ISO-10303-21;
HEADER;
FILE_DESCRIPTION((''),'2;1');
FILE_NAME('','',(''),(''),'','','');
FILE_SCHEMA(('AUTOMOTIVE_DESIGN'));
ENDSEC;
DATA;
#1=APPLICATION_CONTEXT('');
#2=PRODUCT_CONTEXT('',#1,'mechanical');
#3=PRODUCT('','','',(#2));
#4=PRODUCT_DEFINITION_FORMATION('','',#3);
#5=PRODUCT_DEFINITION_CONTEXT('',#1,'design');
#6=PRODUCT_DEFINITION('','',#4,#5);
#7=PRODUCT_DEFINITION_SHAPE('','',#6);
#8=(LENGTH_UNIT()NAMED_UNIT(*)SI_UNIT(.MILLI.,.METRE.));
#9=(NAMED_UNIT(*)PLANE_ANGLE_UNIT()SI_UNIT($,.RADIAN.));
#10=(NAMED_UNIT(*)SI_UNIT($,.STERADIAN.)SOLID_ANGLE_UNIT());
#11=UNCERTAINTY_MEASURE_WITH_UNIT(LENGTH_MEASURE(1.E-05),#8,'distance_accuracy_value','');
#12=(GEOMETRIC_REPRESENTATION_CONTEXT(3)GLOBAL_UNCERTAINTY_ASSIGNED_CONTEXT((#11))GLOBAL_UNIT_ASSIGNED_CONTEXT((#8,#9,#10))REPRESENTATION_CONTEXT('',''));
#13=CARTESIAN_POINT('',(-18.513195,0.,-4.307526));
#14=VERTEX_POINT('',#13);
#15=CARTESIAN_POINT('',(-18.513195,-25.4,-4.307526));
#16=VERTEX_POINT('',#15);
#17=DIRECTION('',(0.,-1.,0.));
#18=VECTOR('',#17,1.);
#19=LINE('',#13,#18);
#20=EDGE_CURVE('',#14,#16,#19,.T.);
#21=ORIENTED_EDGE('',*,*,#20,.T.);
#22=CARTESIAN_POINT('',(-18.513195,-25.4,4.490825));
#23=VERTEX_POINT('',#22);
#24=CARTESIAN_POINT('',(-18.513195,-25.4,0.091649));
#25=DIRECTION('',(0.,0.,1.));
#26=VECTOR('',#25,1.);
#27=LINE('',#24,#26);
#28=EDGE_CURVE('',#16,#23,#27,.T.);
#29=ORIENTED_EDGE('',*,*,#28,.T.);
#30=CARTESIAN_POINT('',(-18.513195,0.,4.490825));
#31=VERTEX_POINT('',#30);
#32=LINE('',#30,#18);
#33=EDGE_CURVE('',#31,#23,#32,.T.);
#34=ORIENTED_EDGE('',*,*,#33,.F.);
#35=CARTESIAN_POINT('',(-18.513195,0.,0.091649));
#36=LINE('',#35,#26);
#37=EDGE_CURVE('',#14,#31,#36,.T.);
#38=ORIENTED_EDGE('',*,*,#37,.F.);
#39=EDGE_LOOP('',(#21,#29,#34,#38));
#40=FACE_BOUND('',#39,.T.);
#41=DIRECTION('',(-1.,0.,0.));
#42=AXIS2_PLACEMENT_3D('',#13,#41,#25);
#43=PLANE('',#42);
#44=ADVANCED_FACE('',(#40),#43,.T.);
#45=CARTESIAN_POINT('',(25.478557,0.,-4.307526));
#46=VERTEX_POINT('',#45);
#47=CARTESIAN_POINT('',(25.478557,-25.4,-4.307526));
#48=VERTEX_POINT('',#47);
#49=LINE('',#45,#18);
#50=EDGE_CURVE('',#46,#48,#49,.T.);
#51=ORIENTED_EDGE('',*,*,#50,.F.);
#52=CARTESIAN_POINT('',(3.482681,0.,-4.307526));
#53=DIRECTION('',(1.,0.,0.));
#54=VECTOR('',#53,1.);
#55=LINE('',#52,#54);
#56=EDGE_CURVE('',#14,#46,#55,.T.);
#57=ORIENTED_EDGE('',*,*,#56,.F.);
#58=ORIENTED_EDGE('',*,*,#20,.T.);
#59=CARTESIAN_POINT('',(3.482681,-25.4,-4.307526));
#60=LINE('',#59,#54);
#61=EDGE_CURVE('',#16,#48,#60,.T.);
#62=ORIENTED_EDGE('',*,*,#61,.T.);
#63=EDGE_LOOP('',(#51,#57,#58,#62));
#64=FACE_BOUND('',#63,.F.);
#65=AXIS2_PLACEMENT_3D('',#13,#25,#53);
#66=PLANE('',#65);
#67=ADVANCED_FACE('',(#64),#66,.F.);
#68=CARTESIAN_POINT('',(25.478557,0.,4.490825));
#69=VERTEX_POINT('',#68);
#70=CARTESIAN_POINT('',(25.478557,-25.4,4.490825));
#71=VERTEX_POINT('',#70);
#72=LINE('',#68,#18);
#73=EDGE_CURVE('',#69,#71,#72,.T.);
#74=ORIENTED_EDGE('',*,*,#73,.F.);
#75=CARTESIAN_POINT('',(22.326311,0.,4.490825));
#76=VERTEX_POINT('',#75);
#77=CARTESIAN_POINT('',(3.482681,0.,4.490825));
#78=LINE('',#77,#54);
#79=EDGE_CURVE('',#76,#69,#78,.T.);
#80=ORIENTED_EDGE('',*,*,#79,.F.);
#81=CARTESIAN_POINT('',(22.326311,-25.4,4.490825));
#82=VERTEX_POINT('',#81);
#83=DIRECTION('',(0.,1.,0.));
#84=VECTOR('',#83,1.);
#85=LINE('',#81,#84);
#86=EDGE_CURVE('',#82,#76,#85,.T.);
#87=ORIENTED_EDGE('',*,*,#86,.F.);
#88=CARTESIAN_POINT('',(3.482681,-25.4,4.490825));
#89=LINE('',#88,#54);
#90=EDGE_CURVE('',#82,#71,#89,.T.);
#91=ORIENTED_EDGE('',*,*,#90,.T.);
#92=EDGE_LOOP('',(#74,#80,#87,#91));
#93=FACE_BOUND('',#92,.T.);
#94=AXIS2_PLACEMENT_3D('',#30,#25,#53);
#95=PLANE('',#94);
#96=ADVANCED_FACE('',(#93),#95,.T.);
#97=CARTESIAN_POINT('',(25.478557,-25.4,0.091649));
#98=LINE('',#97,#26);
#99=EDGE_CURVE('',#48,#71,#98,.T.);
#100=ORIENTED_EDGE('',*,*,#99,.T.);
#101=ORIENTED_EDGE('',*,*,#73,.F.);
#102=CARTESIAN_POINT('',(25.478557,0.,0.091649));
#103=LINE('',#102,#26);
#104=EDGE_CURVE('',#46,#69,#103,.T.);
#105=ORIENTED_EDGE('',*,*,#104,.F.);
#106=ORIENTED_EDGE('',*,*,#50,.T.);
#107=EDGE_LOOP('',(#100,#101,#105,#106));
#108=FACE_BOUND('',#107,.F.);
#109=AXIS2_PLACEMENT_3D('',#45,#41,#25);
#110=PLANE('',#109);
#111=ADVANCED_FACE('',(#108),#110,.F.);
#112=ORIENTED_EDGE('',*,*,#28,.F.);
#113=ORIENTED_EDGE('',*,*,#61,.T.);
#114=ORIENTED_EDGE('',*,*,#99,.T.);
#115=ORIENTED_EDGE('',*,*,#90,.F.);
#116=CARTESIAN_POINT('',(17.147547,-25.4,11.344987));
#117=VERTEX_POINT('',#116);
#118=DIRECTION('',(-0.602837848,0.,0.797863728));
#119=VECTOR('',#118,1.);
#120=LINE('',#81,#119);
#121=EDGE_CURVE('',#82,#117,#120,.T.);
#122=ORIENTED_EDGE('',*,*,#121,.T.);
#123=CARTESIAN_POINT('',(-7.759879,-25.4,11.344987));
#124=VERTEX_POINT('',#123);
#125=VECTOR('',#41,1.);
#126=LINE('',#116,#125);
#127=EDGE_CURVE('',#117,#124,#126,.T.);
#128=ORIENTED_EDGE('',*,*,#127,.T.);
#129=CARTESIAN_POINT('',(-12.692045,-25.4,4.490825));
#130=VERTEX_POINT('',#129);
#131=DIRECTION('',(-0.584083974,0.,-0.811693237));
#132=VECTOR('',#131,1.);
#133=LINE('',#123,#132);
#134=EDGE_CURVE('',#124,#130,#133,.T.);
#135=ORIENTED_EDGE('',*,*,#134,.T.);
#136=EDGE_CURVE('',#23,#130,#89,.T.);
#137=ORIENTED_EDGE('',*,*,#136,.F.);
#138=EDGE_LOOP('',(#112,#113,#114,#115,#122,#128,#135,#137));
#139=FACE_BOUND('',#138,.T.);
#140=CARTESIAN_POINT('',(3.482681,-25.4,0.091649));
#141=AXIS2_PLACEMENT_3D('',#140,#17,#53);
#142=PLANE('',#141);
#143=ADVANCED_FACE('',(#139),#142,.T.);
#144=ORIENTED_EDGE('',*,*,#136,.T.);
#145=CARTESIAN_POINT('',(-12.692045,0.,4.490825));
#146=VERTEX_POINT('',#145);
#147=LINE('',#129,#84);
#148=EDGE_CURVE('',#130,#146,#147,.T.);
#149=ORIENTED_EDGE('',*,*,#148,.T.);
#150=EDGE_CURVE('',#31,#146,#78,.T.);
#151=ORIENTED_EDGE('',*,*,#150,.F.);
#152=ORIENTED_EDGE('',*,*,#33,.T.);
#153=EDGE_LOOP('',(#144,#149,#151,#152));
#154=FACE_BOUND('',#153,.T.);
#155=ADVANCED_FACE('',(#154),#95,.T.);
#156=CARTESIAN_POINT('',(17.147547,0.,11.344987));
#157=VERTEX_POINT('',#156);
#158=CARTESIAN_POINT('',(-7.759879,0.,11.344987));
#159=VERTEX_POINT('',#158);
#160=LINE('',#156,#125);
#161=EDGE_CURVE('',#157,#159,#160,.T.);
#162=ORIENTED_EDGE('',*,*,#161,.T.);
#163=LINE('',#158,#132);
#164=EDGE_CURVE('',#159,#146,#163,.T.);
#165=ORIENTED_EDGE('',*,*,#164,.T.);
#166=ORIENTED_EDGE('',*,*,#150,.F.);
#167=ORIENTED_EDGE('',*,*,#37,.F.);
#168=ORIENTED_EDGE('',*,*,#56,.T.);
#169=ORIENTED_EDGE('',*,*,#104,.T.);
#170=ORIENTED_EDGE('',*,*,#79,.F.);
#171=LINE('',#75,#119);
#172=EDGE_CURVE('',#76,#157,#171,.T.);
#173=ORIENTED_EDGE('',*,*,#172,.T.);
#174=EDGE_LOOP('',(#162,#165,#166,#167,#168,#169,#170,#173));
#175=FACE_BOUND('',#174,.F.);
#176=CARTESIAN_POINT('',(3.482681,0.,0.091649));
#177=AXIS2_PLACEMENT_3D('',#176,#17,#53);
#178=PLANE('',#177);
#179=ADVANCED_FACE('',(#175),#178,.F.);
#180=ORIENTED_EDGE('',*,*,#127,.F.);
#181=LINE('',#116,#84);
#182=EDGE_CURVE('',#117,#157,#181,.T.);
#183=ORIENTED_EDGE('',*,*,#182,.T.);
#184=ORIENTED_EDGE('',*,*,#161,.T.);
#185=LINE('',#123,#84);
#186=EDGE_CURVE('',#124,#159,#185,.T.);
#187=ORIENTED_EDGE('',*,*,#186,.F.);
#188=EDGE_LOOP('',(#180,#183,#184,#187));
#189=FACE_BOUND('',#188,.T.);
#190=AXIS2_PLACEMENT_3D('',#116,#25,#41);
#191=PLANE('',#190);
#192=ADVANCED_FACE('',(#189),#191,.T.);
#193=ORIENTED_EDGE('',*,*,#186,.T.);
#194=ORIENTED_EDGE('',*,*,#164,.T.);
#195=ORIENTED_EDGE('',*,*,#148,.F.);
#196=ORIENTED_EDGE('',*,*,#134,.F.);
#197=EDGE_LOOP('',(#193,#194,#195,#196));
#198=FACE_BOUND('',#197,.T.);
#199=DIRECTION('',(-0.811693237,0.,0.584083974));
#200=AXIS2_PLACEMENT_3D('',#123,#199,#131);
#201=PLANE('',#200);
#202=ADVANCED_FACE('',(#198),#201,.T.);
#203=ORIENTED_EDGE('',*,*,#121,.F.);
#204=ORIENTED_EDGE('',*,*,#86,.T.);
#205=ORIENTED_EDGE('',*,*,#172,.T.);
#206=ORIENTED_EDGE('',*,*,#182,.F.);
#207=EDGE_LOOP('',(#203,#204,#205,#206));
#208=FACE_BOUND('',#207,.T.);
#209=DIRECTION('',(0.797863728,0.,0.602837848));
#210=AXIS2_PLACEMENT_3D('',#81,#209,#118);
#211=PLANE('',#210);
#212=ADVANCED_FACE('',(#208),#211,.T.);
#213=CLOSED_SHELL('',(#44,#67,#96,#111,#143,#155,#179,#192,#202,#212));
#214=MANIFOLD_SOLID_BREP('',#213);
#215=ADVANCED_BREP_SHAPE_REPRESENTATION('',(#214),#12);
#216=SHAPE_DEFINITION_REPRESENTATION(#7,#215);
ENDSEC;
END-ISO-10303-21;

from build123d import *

# Parameters (mm, degrees)
F0_W     = 43.9917519689
F0_H     = 8.7983510457
F1_DEPTH = 25.4
F3_DEPTH = 25.4


with BuildPart() as f1:
    # F0 (on Front) → F1 (new body)
    with BuildSketch(Plane.XZ):
        with Locations((3.4826807678, 0.0916493591)):
            Rectangle(F0_W, F0_H)
    extrude(amount=F1_DEPTH)

    # F2 (on face) → F3 (join)
    with BuildSketch(Plane.XZ.offset(25.4)):
        Polygon((-7.7598788776, 11.3449869677), (-12.6920454204, 4.4908248819), (22.3263110965, 4.4908248819), (17.1475466341, 11.3449869677), align=None)
    extrude(amount=-F3_DEPTH)


solid = f1.part
